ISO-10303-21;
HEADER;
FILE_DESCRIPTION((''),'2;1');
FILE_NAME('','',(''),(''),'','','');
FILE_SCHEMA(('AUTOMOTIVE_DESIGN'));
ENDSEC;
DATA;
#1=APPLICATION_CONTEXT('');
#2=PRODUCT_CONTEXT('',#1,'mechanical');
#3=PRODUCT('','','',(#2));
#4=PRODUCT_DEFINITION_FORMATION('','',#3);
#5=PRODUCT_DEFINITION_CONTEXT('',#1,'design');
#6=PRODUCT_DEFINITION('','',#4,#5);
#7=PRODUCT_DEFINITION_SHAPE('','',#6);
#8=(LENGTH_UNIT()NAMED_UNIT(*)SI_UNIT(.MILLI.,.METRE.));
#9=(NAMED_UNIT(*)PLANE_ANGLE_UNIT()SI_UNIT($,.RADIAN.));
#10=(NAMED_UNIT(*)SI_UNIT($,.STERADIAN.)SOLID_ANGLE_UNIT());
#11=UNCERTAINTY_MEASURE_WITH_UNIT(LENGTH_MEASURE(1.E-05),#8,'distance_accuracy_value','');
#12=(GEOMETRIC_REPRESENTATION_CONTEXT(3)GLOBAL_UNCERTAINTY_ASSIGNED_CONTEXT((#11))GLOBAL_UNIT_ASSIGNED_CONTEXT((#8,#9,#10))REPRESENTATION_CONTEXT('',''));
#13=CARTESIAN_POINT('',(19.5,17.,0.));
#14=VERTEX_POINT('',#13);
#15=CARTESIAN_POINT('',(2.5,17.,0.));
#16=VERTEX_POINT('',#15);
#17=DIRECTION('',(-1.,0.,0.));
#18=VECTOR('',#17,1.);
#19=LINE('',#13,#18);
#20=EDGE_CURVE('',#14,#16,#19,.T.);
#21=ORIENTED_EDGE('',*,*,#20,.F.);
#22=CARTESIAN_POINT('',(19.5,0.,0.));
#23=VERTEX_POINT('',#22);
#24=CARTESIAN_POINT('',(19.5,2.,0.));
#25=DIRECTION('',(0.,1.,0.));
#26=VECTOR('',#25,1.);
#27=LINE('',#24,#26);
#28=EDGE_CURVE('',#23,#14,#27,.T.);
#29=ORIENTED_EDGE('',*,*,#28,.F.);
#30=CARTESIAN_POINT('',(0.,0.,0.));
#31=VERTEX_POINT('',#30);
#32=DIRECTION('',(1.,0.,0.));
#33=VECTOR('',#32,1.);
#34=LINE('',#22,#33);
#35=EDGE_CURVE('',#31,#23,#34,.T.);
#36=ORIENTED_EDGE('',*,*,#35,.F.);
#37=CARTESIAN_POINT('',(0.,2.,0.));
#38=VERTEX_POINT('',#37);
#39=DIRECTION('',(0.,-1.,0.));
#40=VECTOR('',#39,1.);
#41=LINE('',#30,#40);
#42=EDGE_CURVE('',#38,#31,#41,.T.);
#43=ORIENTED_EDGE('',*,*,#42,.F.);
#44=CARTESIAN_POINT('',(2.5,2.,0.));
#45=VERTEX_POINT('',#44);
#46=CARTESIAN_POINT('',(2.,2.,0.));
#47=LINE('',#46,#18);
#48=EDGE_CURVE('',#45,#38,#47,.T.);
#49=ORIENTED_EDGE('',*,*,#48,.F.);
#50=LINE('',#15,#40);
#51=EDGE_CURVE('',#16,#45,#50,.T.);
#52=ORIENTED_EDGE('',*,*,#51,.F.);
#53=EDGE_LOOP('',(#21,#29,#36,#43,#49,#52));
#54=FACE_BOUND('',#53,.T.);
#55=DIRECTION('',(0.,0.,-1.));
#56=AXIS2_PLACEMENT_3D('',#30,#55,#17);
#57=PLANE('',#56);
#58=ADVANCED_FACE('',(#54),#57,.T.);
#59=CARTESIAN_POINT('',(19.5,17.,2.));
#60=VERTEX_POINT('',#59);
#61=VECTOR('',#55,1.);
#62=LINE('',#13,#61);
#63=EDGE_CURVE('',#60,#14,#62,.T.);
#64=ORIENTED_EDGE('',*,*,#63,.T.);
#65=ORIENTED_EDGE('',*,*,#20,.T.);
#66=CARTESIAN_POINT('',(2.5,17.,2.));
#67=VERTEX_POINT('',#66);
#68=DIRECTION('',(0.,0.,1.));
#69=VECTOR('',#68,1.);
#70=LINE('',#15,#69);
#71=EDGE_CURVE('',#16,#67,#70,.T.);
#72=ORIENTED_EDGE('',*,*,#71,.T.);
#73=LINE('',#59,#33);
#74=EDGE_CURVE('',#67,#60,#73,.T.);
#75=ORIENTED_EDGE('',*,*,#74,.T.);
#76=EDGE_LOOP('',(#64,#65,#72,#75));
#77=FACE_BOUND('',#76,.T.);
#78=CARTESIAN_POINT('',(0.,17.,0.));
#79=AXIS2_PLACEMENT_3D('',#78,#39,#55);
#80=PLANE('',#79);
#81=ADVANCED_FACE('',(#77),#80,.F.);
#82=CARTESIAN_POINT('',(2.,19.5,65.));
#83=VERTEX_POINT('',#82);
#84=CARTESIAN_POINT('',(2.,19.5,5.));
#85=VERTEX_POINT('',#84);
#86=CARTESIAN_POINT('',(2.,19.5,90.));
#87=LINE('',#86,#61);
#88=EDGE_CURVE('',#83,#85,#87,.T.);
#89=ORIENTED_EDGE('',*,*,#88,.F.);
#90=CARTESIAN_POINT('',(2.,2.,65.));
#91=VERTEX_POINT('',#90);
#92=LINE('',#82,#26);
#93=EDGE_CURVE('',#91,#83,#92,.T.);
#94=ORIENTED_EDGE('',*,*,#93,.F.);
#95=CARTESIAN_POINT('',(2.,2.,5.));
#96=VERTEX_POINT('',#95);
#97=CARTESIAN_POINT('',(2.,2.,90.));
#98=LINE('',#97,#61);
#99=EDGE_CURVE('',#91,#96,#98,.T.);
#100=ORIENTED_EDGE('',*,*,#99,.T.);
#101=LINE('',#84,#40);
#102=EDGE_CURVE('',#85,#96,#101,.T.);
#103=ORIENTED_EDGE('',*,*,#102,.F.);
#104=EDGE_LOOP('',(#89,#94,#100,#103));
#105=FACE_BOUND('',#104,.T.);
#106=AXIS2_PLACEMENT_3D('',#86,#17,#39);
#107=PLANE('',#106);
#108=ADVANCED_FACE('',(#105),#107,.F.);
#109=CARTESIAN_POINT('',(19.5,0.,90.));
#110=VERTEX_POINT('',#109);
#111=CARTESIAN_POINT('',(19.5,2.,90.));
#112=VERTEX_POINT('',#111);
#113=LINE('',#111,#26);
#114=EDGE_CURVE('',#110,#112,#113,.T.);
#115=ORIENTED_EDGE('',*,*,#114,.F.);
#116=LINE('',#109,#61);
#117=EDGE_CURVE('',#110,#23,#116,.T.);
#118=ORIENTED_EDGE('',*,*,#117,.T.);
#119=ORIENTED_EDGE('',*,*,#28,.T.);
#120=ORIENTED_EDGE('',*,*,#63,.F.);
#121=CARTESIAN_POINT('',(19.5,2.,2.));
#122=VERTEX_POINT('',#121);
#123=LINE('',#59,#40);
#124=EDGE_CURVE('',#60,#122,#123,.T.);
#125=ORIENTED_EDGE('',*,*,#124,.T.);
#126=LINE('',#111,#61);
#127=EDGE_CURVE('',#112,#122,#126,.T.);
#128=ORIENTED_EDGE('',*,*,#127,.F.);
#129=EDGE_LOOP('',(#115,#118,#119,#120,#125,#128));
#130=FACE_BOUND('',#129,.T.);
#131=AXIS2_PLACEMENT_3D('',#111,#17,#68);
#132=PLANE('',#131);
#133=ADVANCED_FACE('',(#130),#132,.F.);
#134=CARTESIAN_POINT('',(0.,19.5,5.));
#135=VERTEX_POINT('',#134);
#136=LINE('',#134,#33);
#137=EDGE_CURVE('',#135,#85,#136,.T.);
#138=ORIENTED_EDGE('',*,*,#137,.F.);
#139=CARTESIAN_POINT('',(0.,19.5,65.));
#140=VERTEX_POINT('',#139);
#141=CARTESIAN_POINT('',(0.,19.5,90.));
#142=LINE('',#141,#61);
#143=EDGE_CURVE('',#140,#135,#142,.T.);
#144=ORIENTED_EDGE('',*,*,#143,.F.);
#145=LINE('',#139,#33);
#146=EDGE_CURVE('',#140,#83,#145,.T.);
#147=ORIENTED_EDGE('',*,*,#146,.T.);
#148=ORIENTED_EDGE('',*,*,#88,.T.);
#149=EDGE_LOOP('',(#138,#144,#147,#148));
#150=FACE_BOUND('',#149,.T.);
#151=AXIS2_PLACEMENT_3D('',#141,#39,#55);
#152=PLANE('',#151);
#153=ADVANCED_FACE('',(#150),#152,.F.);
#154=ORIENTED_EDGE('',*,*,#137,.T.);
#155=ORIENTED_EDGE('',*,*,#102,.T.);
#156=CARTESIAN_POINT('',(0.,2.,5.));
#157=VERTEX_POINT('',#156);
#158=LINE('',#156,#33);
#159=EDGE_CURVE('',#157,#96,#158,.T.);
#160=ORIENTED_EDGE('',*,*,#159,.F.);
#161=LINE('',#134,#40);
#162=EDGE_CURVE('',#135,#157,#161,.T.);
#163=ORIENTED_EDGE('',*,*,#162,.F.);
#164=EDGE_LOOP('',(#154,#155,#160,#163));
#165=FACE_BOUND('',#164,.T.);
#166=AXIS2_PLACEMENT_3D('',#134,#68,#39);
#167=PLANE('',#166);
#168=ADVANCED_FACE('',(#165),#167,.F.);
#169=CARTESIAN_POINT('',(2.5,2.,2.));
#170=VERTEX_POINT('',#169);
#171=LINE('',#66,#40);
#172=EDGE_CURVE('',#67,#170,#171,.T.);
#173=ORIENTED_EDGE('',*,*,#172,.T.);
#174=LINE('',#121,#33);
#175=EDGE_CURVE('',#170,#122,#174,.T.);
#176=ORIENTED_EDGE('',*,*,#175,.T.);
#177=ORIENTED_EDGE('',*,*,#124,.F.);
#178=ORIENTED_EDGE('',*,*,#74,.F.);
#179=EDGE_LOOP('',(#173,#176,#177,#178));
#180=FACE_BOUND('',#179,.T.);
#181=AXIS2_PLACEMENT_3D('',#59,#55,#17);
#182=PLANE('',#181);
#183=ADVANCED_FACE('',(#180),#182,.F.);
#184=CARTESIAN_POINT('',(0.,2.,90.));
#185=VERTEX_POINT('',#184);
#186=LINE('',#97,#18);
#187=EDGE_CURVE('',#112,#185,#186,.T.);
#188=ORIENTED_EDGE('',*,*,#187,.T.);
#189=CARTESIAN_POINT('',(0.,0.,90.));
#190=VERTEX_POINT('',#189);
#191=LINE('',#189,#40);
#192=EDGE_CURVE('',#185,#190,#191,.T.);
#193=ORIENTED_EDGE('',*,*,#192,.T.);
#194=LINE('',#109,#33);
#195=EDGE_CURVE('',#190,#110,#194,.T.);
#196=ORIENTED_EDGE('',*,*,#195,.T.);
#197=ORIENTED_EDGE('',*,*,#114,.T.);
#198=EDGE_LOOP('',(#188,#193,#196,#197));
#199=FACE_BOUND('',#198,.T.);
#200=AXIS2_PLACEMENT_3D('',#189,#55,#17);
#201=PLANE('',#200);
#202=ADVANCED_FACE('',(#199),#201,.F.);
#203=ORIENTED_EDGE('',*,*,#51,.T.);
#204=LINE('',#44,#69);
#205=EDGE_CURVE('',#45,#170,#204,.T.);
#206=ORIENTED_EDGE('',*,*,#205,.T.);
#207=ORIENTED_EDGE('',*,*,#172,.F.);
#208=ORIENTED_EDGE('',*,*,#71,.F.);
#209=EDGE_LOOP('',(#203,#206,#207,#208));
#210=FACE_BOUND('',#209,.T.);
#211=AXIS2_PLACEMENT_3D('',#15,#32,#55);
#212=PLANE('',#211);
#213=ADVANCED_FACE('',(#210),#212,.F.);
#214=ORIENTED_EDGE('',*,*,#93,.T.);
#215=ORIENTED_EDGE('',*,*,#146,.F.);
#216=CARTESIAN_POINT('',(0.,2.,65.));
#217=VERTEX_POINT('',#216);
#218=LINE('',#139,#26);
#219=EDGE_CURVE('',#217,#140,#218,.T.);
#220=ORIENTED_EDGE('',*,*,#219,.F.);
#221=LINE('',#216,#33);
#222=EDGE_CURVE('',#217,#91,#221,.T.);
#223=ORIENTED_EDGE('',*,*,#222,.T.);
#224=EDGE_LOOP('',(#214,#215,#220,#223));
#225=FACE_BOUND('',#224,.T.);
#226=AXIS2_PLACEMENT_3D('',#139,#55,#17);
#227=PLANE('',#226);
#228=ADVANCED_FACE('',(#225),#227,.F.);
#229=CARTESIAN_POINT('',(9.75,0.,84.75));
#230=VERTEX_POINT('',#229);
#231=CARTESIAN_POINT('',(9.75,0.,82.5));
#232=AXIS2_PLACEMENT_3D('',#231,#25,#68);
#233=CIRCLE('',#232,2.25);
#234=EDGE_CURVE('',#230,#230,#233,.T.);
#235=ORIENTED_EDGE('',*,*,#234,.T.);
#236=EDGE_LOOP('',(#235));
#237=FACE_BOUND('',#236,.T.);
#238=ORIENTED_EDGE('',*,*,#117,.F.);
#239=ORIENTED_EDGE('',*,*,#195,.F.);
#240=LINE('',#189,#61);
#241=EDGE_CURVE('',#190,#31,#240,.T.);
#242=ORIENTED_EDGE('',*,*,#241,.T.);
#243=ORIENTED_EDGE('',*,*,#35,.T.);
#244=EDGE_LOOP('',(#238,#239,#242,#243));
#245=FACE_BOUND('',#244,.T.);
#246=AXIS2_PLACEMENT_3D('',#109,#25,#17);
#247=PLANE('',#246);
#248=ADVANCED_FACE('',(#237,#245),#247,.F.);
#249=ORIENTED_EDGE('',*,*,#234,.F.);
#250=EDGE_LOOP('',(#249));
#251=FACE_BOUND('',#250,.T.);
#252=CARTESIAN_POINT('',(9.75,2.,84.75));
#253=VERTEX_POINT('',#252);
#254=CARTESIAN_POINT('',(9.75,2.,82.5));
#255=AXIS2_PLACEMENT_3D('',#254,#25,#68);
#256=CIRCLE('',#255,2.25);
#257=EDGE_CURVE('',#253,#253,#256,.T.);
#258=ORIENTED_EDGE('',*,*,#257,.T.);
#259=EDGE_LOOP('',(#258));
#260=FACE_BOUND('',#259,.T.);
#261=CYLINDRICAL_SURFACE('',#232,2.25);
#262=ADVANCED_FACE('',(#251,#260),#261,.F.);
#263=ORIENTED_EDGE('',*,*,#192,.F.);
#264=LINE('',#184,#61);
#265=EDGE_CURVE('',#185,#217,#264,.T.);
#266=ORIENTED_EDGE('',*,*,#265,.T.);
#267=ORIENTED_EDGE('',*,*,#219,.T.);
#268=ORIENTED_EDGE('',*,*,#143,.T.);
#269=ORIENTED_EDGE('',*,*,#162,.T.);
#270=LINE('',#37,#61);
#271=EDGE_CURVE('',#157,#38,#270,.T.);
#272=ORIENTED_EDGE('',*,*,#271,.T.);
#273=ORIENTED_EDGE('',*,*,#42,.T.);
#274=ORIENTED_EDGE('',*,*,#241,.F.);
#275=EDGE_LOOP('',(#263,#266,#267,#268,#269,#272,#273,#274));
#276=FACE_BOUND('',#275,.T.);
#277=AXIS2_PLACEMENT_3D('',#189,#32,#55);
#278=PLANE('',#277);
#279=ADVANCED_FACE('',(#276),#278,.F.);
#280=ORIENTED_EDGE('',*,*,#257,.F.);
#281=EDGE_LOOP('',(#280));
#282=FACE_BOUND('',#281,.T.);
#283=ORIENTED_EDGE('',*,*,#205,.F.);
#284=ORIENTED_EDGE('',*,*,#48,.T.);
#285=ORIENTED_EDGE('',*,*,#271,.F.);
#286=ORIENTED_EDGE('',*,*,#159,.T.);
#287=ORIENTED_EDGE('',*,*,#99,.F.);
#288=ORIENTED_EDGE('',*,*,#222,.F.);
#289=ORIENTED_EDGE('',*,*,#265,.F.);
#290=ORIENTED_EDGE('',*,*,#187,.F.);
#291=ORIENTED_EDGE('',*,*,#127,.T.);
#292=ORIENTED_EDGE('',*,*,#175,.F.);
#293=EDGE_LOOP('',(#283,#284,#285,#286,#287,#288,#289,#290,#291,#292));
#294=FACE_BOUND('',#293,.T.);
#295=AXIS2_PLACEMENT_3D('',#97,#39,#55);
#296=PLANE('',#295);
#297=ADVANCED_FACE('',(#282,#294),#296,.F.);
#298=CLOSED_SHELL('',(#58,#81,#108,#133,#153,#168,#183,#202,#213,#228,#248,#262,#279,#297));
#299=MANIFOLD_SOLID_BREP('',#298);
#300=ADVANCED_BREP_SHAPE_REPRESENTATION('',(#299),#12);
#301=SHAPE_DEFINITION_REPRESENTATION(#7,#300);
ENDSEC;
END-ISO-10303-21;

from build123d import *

# Parameters (mm, degrees)
BOSS_EXTRUDE1_DEPTH = 90
SKETCH8_W           = 25
SKETCH8_H           = 17.5
SKETCH8_W_2         = 5
CUT_EXTRUDE1_DEPTH  = 94.736332337
SKETCH2_W           = 17
SKETCH2_H           = 2
BOSS_EXTRUDE2_DEPTH = 15
SKETCH9_R           = 2.25
CUT_EXTRUDE2_DEPTH  = 94.736332337


with BuildPart() as part:
    # Sketch1 → Boss-Extrude1 (new body)
    with BuildSketch(Plane.XY):
        Polygon((0, 0), (0, 19.5), (2, 19.5), (2, 2), (19.5, 2), (19.5, 0), align=None)
    extrude(amount=BOSS_EXTRUDE1_DEPTH)

    # Sketch8 → Cut-Extrude1 (cut, through all)
    with BuildSketch(Plane(origin=(2, 0, 0), x_dir=(0, 0, -1), z_dir=(1, 0, 0))):
        with Locations((-77.5, 10.75)):
            Rectangle(SKETCH8_W, SKETCH8_H)
        with Locations((-2.5, 10.75)):
            Rectangle(SKETCH8_W_2, SKETCH8_H)
    extrude(amount=-CUT_EXTRUDE1_DEPTH, mode=Mode.SUBTRACT)

    # Sketch2 → Boss-Extrude2 (add)
    with BuildSketch(Plane(origin=(0, 2, 0), x_dir=(1, 0, 0), z_dir=(0, 1, 0))):
        with Locations((11, -1)):
            Rectangle(SKETCH2_W, SKETCH2_H)
    extrude(amount=BOSS_EXTRUDE2_DEPTH)

    # Sketch9 → Cut-Extrude2 (cut, through all)
    with BuildSketch(Plane(origin=(0, 2, 0), x_dir=(1, 0, 0), z_dir=(0, 1, 0))):
        with Locations(Location((9.75, -82.5, 0), (0, 0, 270))):
            Circle(SKETCH9_R)
    extrude(amount=-CUT_EXTRUDE2_DEPTH, mode=Mode.SUBTRACT)


solid = part.part
